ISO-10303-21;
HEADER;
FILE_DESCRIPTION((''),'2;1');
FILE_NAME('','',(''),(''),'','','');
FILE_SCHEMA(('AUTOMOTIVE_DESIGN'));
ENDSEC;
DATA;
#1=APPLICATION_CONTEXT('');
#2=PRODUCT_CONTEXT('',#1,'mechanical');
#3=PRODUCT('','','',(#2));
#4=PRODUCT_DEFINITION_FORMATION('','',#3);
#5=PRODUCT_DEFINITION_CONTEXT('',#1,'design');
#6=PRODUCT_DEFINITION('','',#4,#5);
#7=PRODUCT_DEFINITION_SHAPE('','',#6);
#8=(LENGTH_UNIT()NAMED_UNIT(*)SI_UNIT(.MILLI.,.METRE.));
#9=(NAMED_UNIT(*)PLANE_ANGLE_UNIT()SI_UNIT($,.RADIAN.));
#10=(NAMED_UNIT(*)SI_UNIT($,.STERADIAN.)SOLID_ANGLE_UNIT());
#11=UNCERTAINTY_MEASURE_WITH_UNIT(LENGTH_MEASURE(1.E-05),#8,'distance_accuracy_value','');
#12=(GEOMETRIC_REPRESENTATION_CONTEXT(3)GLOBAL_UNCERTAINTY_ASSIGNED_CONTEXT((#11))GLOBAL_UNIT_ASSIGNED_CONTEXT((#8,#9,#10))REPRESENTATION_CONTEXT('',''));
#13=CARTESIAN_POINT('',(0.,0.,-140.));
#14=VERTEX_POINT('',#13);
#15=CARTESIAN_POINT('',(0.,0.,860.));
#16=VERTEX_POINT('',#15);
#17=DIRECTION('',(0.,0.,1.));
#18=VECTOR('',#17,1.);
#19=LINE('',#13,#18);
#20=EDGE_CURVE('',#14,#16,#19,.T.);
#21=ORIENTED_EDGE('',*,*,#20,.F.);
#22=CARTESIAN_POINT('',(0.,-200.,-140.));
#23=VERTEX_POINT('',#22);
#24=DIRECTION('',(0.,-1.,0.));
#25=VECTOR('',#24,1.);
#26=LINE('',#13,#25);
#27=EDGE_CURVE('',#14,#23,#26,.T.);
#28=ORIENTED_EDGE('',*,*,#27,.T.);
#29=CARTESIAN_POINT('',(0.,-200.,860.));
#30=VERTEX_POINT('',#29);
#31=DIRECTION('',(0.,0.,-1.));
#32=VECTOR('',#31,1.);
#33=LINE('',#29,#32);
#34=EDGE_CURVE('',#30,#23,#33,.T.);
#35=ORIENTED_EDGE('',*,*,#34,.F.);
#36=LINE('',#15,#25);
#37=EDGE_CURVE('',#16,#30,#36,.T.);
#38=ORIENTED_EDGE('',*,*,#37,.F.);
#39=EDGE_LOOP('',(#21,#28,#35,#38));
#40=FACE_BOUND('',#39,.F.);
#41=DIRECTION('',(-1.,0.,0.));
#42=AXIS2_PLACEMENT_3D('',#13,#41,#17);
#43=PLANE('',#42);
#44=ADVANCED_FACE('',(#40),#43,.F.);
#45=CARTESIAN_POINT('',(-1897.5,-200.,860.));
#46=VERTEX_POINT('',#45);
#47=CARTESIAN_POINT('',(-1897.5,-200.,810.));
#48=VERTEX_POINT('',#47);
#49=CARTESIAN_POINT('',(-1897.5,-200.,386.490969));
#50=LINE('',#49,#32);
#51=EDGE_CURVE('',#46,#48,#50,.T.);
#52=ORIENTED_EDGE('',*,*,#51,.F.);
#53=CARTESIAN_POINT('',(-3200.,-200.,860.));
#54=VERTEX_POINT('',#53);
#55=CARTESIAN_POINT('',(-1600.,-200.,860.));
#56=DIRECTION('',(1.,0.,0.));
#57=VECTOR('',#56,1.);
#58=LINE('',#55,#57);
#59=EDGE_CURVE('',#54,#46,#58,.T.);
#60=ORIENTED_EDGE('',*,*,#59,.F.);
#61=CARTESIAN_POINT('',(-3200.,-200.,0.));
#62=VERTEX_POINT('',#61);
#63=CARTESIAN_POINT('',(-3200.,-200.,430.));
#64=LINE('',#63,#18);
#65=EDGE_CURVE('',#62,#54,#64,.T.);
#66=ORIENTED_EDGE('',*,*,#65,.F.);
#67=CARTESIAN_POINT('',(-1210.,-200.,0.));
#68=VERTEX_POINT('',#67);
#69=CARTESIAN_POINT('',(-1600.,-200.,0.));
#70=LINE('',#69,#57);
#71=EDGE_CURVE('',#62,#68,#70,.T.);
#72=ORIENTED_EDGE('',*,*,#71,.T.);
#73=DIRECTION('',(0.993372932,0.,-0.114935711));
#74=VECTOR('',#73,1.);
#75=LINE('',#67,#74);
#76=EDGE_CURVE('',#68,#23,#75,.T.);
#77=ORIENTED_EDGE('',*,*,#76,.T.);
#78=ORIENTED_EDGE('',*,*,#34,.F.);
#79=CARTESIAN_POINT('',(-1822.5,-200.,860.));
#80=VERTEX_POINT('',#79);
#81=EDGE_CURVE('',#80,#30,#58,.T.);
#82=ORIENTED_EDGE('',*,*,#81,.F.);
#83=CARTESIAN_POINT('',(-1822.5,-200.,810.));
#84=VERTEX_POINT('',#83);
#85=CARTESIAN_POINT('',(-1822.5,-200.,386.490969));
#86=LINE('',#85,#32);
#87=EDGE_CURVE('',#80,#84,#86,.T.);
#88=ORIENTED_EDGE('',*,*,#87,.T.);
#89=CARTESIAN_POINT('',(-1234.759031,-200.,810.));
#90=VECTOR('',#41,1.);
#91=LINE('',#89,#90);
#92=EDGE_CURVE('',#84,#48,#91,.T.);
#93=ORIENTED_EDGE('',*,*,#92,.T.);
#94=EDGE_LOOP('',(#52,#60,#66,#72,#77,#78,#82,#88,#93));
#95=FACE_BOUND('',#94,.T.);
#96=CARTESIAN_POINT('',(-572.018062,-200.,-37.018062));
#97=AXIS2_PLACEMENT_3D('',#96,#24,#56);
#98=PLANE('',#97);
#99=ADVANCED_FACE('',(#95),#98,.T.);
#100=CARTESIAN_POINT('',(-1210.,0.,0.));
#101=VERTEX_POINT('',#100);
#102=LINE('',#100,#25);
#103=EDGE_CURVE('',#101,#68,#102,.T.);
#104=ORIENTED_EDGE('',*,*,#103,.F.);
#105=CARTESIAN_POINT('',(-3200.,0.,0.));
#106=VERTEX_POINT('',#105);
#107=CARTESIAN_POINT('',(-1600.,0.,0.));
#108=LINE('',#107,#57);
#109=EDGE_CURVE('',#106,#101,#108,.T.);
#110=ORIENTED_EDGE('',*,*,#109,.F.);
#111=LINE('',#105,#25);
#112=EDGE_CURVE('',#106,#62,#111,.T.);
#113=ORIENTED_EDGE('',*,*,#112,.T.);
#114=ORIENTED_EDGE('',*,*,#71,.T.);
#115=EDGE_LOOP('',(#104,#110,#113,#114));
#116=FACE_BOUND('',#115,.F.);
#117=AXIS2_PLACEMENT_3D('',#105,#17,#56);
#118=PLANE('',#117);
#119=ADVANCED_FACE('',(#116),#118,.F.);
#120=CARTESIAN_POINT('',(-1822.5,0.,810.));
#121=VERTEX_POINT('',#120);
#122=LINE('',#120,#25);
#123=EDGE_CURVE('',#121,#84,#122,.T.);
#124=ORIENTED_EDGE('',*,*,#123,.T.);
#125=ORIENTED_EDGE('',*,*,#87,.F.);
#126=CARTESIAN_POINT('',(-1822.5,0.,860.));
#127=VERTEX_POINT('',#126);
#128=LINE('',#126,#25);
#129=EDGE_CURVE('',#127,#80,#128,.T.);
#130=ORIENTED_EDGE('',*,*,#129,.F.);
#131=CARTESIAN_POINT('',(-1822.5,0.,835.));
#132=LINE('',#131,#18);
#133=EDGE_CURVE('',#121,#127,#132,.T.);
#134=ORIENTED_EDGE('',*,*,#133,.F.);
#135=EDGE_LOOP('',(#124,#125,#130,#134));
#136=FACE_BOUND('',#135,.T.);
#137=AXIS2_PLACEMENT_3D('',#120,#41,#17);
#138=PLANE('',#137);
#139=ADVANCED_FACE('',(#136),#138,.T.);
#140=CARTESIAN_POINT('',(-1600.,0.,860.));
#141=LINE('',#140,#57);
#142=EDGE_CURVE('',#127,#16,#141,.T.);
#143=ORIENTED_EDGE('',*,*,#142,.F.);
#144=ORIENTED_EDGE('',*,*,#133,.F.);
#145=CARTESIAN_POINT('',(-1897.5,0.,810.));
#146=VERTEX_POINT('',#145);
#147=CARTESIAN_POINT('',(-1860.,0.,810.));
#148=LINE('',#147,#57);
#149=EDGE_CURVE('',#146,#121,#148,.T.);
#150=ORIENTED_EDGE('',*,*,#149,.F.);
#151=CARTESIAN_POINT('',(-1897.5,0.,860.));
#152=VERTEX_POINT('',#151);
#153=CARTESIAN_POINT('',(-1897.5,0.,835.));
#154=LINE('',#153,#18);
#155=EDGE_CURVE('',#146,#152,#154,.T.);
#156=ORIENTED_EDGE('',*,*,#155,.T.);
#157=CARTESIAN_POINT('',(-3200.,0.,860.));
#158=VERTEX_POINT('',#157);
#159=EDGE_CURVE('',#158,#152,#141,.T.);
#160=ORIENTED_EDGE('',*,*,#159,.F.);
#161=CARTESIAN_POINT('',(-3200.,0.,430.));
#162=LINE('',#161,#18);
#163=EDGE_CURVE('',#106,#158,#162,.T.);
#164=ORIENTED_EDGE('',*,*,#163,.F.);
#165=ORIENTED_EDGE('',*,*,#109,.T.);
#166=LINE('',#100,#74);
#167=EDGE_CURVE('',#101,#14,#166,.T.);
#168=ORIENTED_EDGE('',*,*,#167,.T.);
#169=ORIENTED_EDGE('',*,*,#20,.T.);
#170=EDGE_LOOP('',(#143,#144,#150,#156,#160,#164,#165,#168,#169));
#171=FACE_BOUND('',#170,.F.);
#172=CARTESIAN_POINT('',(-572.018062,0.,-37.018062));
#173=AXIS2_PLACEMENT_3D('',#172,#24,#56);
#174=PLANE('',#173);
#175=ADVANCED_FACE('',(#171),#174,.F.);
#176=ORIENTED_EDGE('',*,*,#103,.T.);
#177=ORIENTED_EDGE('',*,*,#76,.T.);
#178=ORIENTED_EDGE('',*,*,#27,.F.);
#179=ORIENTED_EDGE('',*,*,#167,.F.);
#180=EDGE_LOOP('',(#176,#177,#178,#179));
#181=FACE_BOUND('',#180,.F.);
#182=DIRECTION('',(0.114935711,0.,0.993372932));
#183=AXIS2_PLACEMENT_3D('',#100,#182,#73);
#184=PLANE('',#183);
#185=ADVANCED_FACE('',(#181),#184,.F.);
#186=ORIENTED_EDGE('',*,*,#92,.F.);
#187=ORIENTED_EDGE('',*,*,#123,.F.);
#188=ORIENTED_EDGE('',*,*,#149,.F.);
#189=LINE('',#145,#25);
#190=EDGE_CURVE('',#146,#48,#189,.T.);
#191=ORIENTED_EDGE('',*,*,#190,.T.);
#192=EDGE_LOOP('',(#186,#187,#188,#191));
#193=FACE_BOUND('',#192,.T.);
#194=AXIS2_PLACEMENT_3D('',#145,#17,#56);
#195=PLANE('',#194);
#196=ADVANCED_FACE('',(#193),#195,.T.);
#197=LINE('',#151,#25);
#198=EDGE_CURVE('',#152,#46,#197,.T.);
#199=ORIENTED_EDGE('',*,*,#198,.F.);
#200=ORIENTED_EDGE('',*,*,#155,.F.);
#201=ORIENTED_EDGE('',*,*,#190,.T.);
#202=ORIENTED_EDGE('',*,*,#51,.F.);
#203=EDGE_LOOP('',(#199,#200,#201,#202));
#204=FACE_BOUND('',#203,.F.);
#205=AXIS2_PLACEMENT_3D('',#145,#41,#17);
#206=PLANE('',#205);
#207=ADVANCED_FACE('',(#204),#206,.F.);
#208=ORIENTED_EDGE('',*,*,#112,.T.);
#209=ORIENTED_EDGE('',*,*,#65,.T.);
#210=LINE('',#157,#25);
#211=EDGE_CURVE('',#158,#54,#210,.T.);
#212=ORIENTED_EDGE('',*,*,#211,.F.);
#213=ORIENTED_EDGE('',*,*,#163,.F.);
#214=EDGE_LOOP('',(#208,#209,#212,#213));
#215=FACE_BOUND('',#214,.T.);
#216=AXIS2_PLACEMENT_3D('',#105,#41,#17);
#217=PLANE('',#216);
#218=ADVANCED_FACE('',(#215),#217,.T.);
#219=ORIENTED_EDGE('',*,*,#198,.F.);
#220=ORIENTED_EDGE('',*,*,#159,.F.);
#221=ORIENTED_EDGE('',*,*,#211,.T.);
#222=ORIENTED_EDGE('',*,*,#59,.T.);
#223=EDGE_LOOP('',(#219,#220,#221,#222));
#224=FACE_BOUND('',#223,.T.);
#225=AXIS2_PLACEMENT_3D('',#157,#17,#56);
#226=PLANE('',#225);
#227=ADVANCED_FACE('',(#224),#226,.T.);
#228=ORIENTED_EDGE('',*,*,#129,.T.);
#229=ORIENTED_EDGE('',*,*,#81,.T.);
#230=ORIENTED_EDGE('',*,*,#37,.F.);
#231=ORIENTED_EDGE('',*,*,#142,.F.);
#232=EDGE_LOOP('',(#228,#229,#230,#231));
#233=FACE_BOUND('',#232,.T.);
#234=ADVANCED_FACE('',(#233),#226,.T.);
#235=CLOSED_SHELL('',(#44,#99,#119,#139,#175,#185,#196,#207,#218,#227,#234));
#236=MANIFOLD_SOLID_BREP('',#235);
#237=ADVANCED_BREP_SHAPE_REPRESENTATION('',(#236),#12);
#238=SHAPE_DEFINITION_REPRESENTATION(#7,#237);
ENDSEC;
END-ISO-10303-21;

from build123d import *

# Parameters (mm, degrees)
F0_W     = 3200
F0_H     = 860
F1_DEPTH = 200
F3_DEPTH = 200
F4_W     = 75
F4_H     = 50
F5_DEPTH = 200.001


with BuildPart() as f1:
    # F0 (on Front) → F1 (new body)
    with BuildSketch(Plane.XZ):
        with Locations((-1600, 430)):
            Rectangle(F0_W, F0_H)
    extrude(amount=F1_DEPTH)

    # F2 (on Front) → F3 (join, through all)
    with BuildSketch(Plane.XZ):
        Polygon((0, -140), (0, 0), (-1210, 0), align=None)
    extrude(amount=F3_DEPTH)

    # F4 (on Front) → F5 (cut, through all)
    with BuildSketch(Plane.XZ):
        with Locations((-1860, 835)):
            Rectangle(F4_W, F4_H)
    extrude(amount=F5_DEPTH, mode=Mode.SUBTRACT)


solid = f1.part
